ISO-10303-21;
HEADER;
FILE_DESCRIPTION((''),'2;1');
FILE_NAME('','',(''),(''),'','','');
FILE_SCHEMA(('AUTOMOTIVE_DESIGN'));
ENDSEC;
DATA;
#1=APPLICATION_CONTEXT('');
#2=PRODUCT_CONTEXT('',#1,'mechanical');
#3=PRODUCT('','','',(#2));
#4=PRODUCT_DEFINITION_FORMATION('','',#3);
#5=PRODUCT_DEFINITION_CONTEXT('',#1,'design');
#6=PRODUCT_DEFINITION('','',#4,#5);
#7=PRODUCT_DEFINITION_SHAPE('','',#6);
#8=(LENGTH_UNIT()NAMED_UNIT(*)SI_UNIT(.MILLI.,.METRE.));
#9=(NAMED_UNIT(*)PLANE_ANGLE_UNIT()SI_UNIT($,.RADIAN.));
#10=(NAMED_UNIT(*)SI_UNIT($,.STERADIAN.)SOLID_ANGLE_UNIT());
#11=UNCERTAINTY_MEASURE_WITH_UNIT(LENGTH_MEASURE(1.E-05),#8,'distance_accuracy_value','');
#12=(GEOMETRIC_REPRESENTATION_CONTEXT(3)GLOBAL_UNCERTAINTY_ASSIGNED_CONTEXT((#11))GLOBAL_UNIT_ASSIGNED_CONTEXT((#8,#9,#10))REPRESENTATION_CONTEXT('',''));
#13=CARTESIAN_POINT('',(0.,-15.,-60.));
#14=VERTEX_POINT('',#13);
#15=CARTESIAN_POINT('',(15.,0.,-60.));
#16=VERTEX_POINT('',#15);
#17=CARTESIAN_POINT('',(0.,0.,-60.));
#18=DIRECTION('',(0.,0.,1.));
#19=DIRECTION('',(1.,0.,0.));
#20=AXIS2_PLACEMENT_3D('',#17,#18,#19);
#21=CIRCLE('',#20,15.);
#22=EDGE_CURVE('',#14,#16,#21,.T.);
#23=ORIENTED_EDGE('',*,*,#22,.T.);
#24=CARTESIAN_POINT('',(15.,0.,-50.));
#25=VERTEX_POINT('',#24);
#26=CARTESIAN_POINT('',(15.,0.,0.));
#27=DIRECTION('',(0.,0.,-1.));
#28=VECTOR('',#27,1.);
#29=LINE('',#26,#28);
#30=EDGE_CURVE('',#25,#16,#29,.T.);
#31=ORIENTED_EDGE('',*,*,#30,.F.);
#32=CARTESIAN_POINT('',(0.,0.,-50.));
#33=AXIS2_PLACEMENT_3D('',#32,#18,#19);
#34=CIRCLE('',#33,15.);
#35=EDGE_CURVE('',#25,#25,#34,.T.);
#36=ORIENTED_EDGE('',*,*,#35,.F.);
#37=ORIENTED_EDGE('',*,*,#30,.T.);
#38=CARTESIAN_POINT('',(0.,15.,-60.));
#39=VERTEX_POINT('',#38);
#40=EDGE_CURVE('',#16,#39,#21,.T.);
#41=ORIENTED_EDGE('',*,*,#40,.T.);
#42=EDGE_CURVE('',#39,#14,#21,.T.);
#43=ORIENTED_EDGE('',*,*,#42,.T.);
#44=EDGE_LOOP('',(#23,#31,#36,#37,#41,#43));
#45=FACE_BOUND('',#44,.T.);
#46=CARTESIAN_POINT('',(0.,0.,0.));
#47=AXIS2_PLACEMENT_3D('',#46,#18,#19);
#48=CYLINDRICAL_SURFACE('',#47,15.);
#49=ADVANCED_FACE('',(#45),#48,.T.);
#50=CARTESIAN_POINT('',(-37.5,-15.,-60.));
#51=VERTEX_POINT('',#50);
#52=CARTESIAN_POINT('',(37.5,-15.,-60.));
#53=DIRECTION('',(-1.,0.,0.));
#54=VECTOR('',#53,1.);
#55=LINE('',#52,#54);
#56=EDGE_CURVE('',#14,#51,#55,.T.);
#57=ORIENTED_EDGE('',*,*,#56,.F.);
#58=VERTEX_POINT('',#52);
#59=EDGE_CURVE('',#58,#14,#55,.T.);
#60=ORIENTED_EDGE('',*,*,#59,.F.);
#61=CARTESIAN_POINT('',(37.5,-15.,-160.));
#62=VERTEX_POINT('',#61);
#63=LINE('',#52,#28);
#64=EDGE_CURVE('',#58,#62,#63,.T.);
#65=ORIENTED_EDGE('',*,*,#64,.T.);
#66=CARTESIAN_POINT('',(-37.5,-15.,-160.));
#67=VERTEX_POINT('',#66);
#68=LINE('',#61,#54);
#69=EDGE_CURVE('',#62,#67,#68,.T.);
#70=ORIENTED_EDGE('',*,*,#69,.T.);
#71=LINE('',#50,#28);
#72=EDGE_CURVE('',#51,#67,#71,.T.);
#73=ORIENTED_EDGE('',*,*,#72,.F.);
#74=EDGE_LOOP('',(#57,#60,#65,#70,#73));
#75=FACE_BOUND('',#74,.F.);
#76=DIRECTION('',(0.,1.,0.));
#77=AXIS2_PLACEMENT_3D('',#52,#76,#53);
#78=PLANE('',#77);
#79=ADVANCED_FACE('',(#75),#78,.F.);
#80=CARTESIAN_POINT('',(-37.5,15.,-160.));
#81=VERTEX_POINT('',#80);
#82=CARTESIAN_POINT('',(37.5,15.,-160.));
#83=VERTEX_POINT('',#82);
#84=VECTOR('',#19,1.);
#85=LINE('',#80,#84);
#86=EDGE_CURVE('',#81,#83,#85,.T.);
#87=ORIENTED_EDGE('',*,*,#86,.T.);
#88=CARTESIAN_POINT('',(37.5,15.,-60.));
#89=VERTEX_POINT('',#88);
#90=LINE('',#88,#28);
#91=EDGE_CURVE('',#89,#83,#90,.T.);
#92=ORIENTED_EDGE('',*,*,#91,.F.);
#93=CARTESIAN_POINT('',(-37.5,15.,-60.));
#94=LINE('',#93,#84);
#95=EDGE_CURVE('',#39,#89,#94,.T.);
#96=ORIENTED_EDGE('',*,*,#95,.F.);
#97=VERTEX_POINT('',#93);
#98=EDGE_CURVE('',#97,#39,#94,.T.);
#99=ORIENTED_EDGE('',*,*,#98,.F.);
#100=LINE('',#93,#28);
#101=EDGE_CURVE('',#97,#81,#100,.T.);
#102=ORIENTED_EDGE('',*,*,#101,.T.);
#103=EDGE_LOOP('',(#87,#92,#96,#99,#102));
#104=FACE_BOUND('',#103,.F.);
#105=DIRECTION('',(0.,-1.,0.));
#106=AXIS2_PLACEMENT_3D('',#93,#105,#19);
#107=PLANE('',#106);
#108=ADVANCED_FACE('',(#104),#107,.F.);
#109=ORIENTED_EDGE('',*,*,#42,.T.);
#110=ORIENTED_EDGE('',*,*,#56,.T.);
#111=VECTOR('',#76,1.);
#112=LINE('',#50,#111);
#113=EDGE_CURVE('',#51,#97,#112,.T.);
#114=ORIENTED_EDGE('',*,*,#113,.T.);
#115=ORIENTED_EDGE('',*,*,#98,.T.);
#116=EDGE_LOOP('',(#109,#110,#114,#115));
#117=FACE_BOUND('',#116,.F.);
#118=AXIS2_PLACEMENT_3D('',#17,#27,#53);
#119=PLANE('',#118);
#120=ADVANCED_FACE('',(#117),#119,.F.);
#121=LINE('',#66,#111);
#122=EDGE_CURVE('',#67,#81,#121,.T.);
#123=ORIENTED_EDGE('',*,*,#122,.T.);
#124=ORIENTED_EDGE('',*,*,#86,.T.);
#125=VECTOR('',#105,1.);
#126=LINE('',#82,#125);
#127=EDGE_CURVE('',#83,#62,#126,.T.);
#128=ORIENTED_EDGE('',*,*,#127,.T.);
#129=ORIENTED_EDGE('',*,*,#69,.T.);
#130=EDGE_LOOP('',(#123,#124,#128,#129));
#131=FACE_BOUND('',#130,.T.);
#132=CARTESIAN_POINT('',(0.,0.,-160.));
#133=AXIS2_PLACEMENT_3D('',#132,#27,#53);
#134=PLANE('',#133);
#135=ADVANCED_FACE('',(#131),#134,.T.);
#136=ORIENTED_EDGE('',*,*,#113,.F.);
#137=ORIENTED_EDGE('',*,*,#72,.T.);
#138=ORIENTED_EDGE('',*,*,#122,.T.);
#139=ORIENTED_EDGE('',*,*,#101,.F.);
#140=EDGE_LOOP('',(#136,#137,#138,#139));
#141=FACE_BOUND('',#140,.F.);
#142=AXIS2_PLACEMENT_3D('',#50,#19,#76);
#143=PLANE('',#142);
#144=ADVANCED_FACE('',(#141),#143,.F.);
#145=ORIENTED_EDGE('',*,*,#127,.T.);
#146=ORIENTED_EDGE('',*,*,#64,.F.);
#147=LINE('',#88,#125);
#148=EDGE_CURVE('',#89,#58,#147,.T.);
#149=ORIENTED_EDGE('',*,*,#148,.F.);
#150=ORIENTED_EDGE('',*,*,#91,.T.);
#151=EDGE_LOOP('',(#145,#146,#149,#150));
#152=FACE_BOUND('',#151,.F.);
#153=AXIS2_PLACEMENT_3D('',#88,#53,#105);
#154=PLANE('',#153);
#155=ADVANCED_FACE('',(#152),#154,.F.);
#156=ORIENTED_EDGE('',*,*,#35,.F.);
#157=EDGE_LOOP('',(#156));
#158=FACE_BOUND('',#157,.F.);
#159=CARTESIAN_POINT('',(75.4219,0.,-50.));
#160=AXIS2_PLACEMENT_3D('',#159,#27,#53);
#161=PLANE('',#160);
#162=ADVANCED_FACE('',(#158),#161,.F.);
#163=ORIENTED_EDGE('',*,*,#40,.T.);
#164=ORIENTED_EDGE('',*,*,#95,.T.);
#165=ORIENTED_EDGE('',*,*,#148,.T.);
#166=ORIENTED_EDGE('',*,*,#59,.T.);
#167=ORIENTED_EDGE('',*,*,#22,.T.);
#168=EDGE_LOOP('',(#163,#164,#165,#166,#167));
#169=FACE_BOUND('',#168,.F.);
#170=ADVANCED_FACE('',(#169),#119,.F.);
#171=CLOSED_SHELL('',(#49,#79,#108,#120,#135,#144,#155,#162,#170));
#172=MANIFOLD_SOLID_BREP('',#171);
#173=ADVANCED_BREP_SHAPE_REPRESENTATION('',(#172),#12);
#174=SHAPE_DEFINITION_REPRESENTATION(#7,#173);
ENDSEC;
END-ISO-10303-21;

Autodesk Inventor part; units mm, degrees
ref_plane "YZ Plane" through (0, 0, 0) normal (1, 0, 0) x (0, 1, 0)
ref_plane "XZ Plane" through (0, 0, 0) normal (0, 1, 0) x (-1, 0, 0)
sketch "スケッチ2" plane through (0, 0, 0) normal (0, 0, 1) x (1, 0, 0)
  circle A0 centre (0, 0) radius 15
  dimension "d2" = 30
extrude "押し出し1" add sketch "スケッチ2" against normal blind 60
sketch "スケッチ3" plane through (0, 0, -60) normal (0, 0, -1) x (-1, 0, 0)
  line L0 (37.5, 15) -> (-37.5, 15)
  line L1 (-37.5, 15) -> (-37.5, -15)
  line L2 (-37.5, -15) -> (37.5, -15)
  line L3 (37.5, -15) -> (37.5, 15)
  point P0 (0, 0)
  point P1 (0, 15)
  point P2 (37.5, 0)
  dimension "d5" = 30
  dimension "d6" = 75
extrude "押し出し2" add sketch "スケッチ3" along normal blind 100
sketch "スケッチ4" plane through (0, 0, 0) normal (0, 1, 0) x (-1, 0, 0)
  line L0 (63.5061, 71.4951) -> (-75.4219, 71.4951)
  line L1 (-75.4219, 71.4951) -> (-75.4219, -50)
  line L2 (-75.4219, -50) -> (63.5061, -50)
  line L3 (63.5061, -50) -> (63.5061, 71.4951)
  line L4 (-103.2075, 0) -> (91.2917, 0) projected
  point P0 (0, 0)
  dimension "d9" = 50
extrude "押し出し3" cut sketch "スケッチ4" against normal mid plane 100
properties part number "HandY"
